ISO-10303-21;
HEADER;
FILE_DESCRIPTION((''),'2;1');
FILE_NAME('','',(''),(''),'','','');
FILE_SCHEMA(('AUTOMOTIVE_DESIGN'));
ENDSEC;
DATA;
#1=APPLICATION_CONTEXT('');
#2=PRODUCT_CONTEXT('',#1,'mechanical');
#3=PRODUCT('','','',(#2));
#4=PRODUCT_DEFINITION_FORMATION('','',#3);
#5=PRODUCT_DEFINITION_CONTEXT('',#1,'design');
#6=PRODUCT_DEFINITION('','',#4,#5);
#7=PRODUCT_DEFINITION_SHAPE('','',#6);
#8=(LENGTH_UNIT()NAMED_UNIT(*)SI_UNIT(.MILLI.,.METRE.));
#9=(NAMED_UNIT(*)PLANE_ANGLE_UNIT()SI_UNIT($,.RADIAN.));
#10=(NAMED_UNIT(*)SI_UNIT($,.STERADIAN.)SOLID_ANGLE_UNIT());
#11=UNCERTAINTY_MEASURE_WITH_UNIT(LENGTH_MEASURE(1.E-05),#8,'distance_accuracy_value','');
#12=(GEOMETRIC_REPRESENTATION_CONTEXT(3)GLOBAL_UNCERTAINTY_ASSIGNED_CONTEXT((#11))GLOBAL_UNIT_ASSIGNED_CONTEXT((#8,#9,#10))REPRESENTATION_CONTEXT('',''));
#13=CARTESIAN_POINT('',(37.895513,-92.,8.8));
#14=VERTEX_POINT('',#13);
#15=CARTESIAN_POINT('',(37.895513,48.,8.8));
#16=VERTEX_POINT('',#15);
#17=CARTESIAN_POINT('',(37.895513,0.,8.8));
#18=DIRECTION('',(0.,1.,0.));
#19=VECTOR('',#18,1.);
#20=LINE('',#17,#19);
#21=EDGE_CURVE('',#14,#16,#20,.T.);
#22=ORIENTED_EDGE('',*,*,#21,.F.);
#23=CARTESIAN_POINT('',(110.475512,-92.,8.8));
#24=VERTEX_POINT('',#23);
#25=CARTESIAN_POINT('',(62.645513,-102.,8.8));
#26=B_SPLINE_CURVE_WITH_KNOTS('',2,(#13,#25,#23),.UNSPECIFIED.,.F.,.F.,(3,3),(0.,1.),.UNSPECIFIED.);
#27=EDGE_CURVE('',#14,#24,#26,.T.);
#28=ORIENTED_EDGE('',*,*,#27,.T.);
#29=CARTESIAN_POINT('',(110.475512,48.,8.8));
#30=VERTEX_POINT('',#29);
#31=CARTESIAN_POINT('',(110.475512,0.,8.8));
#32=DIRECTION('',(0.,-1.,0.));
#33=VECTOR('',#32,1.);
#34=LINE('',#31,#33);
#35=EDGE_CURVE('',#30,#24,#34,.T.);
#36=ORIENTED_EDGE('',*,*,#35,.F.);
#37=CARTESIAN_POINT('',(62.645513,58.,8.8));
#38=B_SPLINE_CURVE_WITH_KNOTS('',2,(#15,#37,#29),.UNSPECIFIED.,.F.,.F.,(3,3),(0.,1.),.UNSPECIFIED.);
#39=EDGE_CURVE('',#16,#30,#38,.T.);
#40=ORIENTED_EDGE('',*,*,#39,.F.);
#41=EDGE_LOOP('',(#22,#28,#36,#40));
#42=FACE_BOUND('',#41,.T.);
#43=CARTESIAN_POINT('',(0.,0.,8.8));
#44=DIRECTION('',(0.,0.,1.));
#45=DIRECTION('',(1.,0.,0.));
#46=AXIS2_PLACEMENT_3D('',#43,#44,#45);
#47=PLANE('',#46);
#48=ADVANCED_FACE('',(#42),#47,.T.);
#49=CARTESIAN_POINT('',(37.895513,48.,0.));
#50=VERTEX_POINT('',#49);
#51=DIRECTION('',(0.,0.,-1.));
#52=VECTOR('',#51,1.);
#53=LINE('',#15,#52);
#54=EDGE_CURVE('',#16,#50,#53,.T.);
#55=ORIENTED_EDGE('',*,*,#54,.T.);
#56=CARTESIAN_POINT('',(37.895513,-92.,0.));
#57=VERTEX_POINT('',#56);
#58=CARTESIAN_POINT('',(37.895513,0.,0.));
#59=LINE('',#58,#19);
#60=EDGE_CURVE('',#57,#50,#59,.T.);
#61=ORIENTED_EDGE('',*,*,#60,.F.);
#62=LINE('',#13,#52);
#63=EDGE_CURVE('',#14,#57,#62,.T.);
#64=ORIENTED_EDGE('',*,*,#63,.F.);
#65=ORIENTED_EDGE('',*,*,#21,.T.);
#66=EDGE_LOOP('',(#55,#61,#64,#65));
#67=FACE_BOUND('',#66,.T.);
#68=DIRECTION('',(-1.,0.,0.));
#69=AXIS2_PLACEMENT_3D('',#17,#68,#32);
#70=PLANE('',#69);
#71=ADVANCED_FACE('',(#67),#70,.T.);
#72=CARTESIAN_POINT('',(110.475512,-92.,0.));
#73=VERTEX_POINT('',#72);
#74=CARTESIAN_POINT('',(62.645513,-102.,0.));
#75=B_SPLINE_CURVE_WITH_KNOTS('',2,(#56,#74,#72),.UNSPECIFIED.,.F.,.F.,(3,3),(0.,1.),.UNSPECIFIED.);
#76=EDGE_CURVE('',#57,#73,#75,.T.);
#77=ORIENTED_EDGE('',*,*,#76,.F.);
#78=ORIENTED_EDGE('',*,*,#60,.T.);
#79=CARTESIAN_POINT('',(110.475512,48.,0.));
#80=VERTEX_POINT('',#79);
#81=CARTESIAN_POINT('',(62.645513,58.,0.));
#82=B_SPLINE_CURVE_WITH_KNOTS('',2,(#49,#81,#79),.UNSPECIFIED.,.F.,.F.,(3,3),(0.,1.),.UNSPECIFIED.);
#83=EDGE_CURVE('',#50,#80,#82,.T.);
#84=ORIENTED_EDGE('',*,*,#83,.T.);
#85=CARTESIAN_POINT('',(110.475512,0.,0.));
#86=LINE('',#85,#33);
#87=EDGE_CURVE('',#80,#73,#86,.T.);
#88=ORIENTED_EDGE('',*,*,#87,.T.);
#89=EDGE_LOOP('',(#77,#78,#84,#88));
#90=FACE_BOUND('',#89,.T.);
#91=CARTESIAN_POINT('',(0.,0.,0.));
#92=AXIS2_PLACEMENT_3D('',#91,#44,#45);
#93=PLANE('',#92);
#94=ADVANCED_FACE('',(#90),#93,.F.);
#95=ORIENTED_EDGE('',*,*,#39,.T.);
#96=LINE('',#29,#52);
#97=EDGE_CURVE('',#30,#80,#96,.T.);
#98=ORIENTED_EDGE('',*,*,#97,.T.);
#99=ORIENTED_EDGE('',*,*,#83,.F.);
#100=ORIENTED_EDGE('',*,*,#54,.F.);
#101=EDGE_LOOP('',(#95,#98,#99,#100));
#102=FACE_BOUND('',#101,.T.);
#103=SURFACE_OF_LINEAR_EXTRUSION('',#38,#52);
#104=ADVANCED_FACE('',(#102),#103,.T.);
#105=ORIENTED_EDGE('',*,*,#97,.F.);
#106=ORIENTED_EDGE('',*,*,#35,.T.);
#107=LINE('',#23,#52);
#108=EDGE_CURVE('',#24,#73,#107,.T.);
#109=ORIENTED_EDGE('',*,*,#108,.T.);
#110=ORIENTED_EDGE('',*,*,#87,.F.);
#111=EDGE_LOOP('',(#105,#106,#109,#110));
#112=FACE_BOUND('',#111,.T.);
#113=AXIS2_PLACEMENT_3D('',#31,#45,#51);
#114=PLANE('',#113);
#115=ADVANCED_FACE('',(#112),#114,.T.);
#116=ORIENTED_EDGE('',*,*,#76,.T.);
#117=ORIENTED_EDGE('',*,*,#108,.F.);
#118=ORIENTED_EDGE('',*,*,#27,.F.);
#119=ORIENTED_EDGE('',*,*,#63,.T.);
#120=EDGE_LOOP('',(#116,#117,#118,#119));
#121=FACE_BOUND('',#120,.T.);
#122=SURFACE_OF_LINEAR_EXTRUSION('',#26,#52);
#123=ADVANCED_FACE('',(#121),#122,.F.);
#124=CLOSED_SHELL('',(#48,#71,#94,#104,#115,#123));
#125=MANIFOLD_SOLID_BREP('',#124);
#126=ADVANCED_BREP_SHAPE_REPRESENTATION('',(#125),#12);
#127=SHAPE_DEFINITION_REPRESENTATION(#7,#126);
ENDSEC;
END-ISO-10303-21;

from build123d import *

# Parameters (mm, degrees)
SKETCH1_W           = 72.58
SKETCH1_H           = 140
BOSS_EXTRUDE1_DEPTH = 8.8


with BuildPart() as part:
    # Sketch1 → Boss-Extrude1 (new body)
    with BuildSketch(Plane.XY):
        with BuildLine():
            add(Edge.make_bspline(
                [(37.8955125, 48), (62.6455125, 58), (110.4755125, 48)],
                knots=[0, 0, 0, 1, 1, 1], degree=2))
            Line((110.4755125, 48), (37.8955125, 48))
        make_face()
        with Locations((74.1855125, -22)):
            Rectangle(SKETCH1_W, SKETCH1_H)
        with BuildLine():
            Line((110.4755125, -92), (37.8955125, -92))
            add(Edge.make_bspline(
                [(37.8955125, -92), (62.6455125, -102), (110.4755125, -92)],
                knots=[0, 0, 0, 1, 1, 1], degree=2))
        make_face()
    extrude(amount=BOSS_EXTRUDE1_DEPTH)


solid = part.part
